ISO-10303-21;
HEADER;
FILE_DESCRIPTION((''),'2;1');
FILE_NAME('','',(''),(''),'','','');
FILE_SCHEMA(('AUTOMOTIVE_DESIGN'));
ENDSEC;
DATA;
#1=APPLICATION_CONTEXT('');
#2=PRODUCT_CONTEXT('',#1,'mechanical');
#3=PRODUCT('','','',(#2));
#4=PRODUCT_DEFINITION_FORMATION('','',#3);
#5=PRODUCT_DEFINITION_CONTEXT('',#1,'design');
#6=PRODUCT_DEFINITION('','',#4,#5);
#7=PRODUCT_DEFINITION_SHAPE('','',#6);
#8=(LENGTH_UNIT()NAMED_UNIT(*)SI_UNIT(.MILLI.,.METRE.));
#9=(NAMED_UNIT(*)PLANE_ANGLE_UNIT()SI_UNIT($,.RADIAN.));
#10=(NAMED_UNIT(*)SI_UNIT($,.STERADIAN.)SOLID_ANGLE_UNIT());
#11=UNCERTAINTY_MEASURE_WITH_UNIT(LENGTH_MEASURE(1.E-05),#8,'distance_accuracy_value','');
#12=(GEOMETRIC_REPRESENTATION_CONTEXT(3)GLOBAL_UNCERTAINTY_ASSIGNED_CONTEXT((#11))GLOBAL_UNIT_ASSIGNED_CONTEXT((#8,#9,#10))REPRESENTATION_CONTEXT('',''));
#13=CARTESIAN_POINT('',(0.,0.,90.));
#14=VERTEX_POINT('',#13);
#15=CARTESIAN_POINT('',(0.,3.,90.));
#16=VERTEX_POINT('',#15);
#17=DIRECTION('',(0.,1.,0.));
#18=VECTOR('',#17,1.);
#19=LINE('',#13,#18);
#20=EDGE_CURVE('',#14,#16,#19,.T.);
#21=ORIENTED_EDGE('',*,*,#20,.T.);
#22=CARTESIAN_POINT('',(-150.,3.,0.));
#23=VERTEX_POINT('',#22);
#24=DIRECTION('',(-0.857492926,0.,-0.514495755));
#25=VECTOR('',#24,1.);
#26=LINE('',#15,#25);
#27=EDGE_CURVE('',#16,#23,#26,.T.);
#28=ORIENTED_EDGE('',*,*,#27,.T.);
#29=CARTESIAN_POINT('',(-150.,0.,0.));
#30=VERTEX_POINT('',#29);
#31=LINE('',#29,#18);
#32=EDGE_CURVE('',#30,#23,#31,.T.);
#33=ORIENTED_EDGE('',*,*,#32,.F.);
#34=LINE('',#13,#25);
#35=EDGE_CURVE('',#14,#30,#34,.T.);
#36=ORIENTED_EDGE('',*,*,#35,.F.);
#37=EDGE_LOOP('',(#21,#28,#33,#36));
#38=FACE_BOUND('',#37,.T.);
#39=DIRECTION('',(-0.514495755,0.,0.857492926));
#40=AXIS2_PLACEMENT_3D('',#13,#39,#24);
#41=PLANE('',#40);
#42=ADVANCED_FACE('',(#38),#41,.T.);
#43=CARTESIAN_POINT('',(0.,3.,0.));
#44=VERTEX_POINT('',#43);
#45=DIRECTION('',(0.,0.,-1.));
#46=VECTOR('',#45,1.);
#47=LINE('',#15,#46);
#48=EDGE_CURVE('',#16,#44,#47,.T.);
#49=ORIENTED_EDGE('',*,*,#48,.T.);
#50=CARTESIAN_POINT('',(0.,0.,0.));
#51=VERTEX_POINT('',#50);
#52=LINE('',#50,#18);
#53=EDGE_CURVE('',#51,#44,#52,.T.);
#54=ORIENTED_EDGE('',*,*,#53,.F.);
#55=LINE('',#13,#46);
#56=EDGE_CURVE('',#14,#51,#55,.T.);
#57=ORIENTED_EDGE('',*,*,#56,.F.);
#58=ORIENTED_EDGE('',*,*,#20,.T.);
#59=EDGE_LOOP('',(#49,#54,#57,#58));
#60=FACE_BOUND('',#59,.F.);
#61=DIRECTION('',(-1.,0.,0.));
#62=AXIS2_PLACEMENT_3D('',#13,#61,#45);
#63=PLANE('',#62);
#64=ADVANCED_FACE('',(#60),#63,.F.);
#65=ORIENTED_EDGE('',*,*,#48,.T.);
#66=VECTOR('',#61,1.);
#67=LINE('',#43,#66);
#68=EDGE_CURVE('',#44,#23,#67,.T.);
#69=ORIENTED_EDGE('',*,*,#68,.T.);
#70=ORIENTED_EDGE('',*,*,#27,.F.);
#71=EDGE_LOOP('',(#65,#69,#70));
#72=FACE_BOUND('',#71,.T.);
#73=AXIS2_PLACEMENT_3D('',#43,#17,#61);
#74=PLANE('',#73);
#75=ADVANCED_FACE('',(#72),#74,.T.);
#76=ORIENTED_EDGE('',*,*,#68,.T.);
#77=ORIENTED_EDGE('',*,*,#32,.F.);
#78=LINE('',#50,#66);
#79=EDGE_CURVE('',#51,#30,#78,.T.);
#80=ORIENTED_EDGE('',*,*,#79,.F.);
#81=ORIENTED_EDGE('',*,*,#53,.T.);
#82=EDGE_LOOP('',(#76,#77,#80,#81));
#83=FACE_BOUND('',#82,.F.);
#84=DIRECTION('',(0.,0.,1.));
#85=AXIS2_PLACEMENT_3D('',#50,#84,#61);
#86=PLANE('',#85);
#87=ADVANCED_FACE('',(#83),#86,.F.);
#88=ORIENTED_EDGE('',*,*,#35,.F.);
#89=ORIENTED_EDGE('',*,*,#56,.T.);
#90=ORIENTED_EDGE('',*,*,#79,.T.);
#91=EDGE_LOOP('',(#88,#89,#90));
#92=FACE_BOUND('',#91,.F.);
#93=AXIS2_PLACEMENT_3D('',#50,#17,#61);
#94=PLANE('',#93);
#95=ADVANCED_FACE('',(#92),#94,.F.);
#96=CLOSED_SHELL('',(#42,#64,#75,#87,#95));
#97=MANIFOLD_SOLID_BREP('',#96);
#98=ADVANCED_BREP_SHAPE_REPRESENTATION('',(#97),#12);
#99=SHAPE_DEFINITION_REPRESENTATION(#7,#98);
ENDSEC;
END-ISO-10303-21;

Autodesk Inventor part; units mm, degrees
ref_plane "YZ Plane" through (0, 0, 0) normal (1, 0, 0) x (0, 1, 0)
ref_plane "XZ Plane" through (0, 0, 0) normal (0, 1, 0) x (-1, 0, 0)
ref_plane "XY Plane" through (0, 0, 0) normal (0, 0, 1) x (1, 0, 0)
sketch "Sketch1" plane through (0, 0, 0) normal (0, 1, 0) x (-1, 0, 0)
  line L0 (150, 0) -> (0, 90) construction
  line L1 (0, 90) -> (0, 0)
  line L2 (0, 0) -> (150, 0)
  line L3 (0, 90) -> (150, 0)
  point P0 (0, 0)
  dimension "d5" = 0
  dimension "d8" = 150
  dimension "d9" = 90
extrude "Extrusion1" add sketch "Sketch1" along normal blind 3
properties part number "bottom-playfield"
